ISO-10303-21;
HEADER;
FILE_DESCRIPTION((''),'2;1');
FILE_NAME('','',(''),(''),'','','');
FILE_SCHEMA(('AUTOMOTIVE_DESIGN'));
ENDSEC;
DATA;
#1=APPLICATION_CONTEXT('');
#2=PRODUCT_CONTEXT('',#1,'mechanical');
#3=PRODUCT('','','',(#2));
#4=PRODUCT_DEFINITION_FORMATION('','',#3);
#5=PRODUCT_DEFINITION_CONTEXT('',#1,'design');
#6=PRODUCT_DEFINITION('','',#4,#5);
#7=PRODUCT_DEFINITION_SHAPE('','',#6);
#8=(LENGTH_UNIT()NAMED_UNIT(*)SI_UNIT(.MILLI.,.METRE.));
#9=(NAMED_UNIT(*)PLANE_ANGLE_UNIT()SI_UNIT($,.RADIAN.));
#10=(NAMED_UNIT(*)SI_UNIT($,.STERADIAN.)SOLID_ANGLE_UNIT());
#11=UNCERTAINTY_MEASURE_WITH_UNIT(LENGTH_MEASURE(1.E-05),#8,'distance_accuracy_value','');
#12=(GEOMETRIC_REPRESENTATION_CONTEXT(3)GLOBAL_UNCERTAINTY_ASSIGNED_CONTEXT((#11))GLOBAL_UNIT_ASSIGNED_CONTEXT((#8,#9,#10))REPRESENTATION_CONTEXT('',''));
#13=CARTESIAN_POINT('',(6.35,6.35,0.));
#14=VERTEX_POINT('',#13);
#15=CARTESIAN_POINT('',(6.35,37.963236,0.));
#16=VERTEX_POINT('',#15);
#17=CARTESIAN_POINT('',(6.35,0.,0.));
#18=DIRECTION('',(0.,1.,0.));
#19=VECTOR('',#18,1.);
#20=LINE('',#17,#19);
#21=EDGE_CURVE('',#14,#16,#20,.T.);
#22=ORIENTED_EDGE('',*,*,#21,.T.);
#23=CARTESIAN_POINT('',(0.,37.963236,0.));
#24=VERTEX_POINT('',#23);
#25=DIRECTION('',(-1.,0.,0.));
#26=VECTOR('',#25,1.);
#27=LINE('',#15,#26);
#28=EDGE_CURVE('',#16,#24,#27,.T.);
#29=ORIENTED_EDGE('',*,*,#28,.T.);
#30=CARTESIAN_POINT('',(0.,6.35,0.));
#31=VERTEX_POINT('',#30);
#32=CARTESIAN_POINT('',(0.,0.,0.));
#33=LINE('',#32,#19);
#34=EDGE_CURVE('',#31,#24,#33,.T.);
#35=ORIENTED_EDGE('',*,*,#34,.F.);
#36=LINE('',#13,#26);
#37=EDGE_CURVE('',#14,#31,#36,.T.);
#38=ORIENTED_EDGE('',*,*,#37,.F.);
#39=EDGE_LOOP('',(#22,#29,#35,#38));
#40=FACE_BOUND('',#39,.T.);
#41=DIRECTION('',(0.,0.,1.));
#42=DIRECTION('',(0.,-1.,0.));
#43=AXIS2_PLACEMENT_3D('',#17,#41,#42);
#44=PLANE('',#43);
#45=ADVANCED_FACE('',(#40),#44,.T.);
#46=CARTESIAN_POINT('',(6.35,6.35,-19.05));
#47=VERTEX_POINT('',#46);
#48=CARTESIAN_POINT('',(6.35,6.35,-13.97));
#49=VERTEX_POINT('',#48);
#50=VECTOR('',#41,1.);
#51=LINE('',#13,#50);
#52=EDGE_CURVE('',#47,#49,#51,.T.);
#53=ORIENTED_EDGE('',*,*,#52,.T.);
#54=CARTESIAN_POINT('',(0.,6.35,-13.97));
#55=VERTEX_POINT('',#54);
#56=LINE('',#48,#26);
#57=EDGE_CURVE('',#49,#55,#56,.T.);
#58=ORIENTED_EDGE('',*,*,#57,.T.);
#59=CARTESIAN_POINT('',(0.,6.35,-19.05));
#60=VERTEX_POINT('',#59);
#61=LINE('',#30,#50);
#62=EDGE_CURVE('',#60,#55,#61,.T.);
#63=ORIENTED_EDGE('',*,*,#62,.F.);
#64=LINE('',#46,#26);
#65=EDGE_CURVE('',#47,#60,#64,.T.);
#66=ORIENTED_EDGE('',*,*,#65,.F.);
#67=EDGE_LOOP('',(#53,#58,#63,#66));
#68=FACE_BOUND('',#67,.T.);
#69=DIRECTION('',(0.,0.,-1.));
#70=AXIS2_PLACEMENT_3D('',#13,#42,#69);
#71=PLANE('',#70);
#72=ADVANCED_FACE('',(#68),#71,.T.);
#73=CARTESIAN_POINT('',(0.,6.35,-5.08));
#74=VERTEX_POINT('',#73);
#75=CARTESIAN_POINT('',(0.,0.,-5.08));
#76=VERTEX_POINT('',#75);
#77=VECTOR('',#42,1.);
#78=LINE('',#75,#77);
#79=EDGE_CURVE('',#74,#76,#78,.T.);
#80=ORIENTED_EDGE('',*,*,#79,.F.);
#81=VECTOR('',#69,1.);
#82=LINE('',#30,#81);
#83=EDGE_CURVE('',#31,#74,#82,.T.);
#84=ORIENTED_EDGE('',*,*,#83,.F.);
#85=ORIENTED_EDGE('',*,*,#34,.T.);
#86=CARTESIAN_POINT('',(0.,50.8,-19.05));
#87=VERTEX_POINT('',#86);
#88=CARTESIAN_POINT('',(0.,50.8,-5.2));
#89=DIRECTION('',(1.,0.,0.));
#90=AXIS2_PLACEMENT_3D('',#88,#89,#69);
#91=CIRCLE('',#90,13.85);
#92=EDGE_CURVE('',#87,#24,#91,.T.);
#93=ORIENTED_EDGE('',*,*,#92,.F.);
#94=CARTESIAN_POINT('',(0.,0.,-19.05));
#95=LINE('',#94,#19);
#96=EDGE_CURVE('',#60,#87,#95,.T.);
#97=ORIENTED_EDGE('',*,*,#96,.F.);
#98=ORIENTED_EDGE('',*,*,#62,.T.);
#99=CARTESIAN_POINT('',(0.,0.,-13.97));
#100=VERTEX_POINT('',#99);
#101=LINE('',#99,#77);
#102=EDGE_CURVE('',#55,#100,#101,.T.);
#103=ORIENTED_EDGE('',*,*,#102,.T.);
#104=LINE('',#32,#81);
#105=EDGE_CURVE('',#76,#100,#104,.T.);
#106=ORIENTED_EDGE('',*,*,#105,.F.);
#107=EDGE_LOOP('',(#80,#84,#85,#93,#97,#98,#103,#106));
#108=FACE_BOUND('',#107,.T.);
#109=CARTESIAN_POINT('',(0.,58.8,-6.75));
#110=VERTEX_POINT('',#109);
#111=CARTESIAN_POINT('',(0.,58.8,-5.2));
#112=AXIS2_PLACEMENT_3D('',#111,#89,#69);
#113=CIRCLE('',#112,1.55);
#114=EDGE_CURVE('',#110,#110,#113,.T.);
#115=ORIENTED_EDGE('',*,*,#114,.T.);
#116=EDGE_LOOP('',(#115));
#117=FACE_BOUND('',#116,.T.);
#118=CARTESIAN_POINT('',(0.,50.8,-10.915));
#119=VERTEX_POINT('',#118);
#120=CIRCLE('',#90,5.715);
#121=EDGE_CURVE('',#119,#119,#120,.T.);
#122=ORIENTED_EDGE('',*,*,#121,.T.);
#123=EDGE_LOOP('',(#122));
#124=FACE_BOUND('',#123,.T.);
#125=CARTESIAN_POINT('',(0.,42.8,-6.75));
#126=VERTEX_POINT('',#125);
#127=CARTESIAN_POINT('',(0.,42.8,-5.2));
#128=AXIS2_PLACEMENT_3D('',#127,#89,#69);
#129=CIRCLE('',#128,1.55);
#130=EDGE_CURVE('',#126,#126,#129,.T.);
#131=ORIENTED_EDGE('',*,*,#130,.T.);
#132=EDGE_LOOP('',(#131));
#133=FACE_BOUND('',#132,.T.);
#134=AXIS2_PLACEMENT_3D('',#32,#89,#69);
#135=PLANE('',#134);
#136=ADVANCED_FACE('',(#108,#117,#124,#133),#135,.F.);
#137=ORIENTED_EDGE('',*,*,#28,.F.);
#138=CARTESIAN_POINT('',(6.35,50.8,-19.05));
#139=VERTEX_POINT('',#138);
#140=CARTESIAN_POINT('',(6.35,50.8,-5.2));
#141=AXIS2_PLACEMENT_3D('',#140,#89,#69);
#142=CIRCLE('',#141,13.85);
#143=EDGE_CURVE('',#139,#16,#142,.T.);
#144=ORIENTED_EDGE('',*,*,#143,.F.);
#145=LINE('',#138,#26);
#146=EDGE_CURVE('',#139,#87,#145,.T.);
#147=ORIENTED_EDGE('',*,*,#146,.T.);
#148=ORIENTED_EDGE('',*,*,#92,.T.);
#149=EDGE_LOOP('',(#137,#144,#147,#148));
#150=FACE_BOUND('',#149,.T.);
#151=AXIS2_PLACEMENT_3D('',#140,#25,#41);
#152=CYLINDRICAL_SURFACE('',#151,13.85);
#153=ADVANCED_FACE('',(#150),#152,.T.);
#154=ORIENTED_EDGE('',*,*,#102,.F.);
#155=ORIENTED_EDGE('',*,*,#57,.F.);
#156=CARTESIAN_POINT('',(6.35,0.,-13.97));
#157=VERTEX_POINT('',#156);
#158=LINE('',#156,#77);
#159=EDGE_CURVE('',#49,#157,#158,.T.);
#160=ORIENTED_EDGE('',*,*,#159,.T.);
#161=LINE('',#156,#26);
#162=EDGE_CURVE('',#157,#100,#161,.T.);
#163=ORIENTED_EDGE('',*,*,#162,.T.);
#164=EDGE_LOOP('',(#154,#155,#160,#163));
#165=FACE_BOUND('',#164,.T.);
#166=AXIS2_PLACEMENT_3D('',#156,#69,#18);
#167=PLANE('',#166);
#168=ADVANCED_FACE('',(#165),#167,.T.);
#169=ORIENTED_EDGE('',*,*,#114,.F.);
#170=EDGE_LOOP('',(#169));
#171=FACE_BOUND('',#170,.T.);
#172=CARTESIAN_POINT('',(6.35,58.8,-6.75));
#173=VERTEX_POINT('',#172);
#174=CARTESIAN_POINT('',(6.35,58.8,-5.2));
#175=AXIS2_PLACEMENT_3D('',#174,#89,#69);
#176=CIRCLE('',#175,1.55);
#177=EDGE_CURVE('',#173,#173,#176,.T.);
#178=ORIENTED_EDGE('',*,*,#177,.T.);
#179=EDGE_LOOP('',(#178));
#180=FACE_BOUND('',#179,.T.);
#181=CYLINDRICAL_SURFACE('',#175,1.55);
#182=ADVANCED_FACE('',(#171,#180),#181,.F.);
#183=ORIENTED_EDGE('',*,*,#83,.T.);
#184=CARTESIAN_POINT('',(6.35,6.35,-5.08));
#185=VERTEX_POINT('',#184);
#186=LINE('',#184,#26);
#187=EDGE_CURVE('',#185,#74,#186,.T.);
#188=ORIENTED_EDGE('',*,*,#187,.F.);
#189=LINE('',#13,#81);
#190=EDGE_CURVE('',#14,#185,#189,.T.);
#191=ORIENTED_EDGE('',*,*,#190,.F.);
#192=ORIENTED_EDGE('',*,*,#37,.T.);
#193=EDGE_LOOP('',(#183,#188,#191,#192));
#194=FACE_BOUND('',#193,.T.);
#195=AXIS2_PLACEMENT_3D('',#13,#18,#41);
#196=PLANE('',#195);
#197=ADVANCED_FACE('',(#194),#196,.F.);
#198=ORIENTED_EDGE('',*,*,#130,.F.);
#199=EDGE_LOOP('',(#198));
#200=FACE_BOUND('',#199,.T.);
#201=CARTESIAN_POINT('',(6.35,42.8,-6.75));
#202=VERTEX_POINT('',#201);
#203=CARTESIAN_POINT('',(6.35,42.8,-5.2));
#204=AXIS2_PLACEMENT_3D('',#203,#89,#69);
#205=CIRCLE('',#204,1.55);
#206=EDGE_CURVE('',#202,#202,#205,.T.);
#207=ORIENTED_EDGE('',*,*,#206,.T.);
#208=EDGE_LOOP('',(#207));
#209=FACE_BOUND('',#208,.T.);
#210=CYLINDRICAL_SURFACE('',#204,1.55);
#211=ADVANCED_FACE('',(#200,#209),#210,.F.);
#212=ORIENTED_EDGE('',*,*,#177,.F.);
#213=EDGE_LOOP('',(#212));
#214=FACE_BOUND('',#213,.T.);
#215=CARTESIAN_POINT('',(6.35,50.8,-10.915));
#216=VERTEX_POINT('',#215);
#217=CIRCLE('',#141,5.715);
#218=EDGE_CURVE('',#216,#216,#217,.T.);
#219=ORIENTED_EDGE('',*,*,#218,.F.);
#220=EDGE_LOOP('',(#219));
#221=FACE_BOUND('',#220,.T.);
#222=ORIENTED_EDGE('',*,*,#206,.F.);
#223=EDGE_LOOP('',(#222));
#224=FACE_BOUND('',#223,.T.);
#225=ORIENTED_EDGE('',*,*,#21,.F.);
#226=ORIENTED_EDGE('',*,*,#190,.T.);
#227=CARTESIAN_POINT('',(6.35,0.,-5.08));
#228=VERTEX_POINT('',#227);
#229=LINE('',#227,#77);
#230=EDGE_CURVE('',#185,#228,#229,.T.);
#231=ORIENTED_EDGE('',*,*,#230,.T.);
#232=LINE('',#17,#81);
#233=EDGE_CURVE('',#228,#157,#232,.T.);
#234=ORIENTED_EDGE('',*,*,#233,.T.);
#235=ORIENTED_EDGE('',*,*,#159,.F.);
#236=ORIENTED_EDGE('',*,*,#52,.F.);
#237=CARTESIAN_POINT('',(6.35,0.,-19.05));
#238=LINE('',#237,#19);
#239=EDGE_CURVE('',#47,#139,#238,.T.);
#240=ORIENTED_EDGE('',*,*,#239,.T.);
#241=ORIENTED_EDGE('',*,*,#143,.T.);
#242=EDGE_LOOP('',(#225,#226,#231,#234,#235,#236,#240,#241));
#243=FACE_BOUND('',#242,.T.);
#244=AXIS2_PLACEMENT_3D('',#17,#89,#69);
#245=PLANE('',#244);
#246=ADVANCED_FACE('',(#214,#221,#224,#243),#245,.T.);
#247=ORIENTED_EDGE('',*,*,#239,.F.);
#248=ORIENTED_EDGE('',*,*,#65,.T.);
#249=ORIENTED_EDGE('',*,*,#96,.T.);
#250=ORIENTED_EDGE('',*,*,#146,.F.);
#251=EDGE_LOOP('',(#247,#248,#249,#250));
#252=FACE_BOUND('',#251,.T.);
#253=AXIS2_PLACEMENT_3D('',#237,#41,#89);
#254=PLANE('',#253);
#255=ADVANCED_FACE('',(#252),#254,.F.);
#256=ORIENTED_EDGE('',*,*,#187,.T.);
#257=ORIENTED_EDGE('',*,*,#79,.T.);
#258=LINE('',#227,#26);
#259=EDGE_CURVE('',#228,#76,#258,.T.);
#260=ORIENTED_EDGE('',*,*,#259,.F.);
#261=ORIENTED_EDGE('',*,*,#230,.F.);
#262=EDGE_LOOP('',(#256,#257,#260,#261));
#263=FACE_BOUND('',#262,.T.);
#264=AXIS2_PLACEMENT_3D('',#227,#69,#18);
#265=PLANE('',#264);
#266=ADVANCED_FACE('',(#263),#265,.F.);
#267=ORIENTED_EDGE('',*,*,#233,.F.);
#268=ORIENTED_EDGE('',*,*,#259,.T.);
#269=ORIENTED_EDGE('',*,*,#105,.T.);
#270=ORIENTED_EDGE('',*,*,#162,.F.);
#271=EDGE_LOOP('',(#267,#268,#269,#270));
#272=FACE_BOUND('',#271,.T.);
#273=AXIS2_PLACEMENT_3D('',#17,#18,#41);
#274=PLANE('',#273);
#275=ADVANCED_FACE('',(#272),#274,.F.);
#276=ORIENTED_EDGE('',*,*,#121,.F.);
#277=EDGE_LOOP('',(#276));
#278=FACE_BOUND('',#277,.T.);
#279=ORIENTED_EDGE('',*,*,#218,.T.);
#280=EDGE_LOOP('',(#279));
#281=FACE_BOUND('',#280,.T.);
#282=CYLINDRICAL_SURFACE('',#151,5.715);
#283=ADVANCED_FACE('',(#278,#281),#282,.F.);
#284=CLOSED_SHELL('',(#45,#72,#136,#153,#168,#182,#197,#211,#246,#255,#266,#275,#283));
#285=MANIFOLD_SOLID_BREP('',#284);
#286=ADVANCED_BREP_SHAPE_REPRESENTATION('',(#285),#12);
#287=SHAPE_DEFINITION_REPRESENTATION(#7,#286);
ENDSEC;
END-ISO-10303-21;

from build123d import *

# Parameters (mm, degrees)
SKETCH1_R              = 5.715
BOSS_EXTRUDE1_DEPTH    = 6.35
M2_5_CLEARANCE_HOLE1_D = 3.1


with BuildPart() as part:
    # Sketch1 → Boss-Extrude1 (new body)
    with BuildSketch(Plane(origin=(0, 0, 0), x_dir=(0, 0, -1), z_dir=(1, 0, 0))):
        with BuildLine():
            Line((5.08, 0), (13.97, 0))
            Line((13.97, 0), (13.97, 6.35))
            Line((13.97, 6.35), (19.05, 6.35))
            Line((19.05, 6.35), (19.05, 50.8))
            ThreePointArc((19.05, 50.8), (-2.539589782, 62.285697628), (0, 37.963236389))
            Line((0, 37.963236389), (0, 6.35))
            Line((0, 6.35), (5.08, 6.35))
            Line((5.08, 6.35), (5.08, 0))
        make_face()
        with Locations((5.2, 50.8)):
            Circle(SKETCH1_R, mode=Mode.SUBTRACT)
    extrude(amount=BOSS_EXTRUDE1_DEPTH)

    # M2.5 Clearance Hole1 (through all)
    with Locations(Plane(origin=(6.35, 0, 0), x_dir=(0, 0, -1), z_dir=(1, 0, 0))):
        with Locations((5.2, 58.8), (5.2, 42.8)):
            Hole(M2_5_CLEARANCE_HOLE1_D / 2)


solid = part.part
